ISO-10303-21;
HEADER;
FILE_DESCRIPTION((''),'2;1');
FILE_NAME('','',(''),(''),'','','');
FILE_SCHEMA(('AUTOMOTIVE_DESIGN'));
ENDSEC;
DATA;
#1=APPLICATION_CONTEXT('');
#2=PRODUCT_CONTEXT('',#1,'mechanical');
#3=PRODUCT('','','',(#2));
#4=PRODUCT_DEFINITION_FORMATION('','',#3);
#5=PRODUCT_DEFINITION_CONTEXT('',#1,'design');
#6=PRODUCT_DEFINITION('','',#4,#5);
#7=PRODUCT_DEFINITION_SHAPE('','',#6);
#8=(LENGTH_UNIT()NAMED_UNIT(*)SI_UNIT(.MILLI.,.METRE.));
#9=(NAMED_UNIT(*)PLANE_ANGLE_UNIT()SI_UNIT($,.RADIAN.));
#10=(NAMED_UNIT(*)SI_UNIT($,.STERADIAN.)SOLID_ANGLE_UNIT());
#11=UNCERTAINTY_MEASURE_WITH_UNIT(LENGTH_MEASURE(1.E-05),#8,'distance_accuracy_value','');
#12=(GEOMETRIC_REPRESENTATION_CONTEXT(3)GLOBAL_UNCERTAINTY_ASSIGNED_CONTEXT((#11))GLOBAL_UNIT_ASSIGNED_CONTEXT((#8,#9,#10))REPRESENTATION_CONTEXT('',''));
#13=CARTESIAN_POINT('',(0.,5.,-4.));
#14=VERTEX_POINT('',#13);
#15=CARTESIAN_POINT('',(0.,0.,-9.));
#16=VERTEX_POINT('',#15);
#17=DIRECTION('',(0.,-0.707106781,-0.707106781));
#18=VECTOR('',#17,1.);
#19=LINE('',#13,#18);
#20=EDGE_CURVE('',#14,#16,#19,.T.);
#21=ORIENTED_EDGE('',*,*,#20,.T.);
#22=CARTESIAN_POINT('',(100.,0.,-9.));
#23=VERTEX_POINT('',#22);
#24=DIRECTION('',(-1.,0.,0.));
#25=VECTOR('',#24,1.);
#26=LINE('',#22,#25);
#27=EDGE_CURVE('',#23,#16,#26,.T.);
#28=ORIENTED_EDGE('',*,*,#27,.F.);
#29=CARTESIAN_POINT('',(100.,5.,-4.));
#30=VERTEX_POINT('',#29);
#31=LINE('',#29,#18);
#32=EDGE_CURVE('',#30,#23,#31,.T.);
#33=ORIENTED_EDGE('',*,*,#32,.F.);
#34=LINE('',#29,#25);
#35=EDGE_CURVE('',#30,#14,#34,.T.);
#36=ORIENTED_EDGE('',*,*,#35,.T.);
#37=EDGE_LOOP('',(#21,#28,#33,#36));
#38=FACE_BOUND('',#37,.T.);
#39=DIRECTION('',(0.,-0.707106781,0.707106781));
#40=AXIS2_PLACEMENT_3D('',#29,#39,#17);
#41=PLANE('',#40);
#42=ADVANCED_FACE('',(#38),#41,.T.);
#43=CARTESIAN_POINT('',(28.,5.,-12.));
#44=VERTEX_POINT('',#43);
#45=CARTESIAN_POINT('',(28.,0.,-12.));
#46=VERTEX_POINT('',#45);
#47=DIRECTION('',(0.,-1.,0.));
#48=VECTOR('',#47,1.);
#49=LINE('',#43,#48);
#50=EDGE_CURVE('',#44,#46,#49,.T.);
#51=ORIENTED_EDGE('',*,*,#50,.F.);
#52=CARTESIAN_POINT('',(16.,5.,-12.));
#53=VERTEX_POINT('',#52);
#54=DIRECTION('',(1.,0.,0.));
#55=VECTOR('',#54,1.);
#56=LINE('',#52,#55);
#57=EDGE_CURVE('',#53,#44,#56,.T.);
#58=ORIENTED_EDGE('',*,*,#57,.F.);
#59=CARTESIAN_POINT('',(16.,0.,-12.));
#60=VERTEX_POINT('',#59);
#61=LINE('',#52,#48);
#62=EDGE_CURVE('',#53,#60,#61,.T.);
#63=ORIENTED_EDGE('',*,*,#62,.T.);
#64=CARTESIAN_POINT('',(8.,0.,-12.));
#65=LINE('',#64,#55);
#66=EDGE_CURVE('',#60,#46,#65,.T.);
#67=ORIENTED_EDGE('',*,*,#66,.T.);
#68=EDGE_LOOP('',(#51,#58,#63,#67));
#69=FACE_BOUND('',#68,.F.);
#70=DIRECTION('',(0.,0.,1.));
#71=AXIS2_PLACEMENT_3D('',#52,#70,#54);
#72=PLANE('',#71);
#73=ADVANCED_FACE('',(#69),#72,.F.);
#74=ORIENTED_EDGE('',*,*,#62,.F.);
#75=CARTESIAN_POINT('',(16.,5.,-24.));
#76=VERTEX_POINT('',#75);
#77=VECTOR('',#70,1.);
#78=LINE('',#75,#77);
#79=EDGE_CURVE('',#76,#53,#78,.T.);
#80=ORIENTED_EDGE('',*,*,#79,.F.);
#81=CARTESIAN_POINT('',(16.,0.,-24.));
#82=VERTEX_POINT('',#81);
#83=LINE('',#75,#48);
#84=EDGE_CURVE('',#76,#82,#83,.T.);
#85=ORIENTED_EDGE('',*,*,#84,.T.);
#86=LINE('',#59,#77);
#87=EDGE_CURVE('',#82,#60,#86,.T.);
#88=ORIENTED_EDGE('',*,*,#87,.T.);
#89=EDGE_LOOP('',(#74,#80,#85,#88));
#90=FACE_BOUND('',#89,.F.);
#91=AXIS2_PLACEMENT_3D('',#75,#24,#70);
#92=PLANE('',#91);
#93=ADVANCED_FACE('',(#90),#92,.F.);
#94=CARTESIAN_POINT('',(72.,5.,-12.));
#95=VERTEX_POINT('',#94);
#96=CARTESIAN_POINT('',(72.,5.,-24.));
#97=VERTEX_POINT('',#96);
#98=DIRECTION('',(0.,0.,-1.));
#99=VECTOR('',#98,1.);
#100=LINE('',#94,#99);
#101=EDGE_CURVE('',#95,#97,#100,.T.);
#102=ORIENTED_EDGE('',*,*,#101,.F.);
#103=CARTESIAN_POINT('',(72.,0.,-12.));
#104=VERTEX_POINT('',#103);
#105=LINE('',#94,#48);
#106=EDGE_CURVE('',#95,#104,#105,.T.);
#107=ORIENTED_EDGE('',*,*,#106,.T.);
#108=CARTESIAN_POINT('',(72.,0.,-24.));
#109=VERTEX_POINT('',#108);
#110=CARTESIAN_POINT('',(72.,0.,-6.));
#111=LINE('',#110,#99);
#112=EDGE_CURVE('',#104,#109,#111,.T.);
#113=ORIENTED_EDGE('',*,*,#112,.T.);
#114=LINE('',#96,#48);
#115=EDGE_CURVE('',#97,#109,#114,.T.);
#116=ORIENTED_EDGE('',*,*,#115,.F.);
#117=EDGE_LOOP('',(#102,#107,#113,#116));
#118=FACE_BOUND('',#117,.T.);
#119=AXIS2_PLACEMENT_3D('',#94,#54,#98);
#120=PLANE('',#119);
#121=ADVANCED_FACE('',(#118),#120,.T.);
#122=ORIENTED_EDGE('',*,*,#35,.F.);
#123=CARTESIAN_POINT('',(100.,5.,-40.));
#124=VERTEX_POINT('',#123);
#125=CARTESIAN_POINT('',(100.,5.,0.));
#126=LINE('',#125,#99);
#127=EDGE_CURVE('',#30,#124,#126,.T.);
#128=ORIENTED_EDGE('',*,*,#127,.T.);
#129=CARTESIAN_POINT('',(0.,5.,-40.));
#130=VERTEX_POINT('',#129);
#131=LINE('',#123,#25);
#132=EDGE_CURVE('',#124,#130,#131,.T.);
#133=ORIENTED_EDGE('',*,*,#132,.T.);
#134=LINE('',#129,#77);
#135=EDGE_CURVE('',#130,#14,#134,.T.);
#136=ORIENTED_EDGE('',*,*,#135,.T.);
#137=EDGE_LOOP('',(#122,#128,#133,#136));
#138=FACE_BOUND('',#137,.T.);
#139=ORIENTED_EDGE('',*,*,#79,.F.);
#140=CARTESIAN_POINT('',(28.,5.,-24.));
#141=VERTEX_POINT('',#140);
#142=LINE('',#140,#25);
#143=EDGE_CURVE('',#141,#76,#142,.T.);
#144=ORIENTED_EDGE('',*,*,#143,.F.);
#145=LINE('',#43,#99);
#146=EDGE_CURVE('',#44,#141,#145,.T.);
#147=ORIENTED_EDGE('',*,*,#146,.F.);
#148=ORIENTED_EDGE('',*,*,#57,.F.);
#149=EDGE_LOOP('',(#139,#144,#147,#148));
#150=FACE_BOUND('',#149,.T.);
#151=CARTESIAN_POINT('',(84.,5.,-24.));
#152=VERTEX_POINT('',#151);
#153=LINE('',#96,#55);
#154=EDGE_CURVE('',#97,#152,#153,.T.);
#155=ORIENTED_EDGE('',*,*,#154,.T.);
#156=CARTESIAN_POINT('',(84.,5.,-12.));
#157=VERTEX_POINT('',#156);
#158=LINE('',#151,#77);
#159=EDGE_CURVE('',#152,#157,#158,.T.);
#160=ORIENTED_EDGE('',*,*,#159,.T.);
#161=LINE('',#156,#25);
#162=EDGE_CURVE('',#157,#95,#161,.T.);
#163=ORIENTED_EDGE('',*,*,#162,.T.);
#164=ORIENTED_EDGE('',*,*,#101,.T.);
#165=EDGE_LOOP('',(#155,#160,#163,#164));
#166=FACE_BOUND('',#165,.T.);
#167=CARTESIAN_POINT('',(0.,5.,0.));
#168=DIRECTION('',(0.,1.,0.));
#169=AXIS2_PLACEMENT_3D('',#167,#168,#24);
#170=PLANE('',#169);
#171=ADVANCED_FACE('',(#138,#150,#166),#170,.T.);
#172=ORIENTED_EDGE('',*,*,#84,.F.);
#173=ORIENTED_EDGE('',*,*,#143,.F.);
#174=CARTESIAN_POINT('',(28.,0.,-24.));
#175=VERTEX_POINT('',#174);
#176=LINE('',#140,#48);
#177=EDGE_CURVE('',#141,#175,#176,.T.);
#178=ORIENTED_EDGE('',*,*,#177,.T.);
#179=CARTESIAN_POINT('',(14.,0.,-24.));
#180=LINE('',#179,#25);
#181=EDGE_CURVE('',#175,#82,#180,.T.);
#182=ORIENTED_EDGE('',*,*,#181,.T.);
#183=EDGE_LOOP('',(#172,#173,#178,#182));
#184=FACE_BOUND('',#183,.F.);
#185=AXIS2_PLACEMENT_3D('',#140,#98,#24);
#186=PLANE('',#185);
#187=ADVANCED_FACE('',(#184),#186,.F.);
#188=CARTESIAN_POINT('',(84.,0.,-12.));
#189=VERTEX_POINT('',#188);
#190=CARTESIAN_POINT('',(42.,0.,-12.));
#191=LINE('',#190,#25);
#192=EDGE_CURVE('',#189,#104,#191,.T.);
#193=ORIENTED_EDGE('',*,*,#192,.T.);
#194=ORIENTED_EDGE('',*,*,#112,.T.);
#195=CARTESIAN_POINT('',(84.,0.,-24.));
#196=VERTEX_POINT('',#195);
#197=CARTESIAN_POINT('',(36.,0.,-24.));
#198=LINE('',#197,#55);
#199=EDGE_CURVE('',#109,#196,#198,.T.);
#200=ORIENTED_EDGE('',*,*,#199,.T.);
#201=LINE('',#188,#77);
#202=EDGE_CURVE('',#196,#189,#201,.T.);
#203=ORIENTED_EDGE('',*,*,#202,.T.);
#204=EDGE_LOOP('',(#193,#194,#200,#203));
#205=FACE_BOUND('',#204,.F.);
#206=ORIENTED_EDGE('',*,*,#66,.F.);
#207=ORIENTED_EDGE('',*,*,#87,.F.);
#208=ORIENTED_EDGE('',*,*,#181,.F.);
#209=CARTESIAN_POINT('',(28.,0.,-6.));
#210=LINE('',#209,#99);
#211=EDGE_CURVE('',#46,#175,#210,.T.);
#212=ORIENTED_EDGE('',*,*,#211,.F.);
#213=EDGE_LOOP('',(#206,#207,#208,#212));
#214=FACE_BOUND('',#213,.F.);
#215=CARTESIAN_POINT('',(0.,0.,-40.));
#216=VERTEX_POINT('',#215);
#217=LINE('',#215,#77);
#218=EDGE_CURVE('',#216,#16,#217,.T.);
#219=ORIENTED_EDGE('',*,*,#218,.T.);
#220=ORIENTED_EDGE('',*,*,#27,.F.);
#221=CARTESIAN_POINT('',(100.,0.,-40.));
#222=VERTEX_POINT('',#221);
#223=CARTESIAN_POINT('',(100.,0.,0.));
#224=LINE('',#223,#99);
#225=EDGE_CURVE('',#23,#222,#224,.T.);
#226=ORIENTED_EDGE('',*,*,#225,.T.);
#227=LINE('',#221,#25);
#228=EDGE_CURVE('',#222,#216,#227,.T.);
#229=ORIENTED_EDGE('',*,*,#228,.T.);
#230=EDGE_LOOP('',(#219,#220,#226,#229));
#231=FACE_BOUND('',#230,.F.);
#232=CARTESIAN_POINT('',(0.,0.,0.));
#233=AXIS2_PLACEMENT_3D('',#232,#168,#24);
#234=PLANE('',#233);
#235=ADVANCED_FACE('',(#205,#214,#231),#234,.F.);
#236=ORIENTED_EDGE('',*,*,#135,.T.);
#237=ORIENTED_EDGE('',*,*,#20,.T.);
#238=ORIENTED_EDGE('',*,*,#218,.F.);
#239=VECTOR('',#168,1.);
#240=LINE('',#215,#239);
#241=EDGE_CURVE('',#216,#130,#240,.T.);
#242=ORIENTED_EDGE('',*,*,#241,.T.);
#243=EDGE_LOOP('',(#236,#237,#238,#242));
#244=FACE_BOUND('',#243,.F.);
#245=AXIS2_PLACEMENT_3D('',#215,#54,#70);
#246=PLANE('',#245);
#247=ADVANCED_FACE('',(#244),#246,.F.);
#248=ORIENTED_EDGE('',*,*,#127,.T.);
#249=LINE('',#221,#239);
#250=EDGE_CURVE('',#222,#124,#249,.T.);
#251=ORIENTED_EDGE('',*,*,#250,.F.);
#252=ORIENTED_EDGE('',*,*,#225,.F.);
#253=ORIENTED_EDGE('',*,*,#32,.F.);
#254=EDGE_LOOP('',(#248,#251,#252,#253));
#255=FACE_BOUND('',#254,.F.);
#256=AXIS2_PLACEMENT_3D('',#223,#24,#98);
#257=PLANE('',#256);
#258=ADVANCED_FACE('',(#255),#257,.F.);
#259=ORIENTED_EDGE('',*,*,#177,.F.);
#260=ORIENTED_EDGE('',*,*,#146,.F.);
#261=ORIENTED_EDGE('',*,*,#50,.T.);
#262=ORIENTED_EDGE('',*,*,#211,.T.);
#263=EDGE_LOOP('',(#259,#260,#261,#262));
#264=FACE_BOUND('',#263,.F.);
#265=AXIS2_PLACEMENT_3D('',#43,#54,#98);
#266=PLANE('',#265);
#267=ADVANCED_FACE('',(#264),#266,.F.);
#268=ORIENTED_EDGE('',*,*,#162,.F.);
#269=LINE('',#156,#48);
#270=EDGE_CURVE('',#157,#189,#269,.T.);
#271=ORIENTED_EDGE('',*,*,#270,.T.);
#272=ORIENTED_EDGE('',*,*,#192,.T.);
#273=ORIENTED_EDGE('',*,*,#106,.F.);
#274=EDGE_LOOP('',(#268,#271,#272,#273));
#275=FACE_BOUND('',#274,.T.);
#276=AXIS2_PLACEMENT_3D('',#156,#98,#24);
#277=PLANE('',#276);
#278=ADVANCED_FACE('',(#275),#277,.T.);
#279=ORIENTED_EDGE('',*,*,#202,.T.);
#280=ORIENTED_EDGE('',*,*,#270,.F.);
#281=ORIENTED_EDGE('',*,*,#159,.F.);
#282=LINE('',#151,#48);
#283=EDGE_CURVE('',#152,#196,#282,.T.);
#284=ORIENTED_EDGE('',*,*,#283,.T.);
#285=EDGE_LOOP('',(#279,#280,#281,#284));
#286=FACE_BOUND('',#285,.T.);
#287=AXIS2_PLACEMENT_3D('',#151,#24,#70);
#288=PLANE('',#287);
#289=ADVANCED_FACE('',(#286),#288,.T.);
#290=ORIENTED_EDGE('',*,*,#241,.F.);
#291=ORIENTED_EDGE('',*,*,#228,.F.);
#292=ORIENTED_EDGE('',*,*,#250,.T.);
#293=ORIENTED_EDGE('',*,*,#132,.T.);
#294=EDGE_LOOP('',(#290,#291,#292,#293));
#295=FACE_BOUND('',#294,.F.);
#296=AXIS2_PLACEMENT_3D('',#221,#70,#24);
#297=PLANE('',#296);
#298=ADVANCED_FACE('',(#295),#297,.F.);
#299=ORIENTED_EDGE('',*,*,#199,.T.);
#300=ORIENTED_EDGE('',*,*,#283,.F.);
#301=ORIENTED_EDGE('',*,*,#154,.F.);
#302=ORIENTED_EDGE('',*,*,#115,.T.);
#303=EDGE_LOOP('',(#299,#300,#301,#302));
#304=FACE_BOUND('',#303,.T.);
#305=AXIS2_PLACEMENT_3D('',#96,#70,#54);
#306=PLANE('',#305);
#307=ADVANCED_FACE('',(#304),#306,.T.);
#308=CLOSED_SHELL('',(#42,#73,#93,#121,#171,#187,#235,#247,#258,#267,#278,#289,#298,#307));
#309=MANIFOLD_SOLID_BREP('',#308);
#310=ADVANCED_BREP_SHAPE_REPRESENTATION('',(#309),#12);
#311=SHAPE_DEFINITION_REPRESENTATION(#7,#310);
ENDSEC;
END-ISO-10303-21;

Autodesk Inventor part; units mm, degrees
ref_plane "YZ Plane" through (0, 0, 0) normal (1, 0, 0) x (0, 1, 0)
ref_plane "XZ Plane" through (0, 0, 0) normal (0, 1, 0) x (-1, 0, 0)
ref_plane "XY Plane" through (0, 0, 0) normal (0, 0, 1) x (1, 0, 0)
sketch "Szkic1" plane through (0, 0, 0) normal (0, 1, 0) x (-1, 0, 0)
  line L0 (0, 0) -> (-100, 0)
  line L1 (-100, 0) -> (-100, -40)
  line L2 (-100, -40) -> (0, -40)
  line L3 (0, -40) -> (0, 0)
  dimension "d0" = 100
  dimension "d1" = 40
extrude "Wyciągnięcie proste1" add sketch "Szkic1" along normal blind 5
sketch "Szkic4" plane through (100, 0, 0) normal (1, 0, 0) x (0, 0, -1)
  line L0 (0, 5) -> (40, 5) projected
  line L1 (0, 5) -> (4.346, 0)
  line L2 (0, 0) -> (40, 0) projected
  line L3 (0, 0) -> (0, 5) projected
  line L4 (0, 0) -> (0, 5)
  line L5 (0, 5) -> (4.346, 0)
extrude "Wyciągnięcie proste2" cut sketch "Szkic4" against normal blind 100
sketch "Szkic5" plane through (100, 0, -40) normal (1, 0, 0) x (0, 0, -1)
  line L0 (-40, 5) -> (0, 5) projected
  line L1 (-40, 5) -> (-35, 0)
  line L2 (-35.654, 0) -> (0, 0) projected
  line L3 (-40, 5) -> (-32.9289, 5) construction
  line L4 (-35, 0) -> (-40, 0)
  line L5 (-35.654, 0) -> (-40, 5) projected
  line L6 (-40, 0) -> (-40, 5)
  dimension "d6" = 45
extrude "Wyciągnięcie proste3" cut sketch "Szkic5" against normal blind 100.25
sketch "Szkic6" plane through (100, 0, -40) normal (1, 0, 0) x (0, 0, -1)
  line L0 (0, 5) -> (-40, 5) projected
  line L1 (-40, 5) -> (-38, 5)
  line L2 (-38, 5) -> (-33, 0)
  line L3 (0, 0) -> (-35, 0) projected
  line L4 (-33, 0) -> (-35, 0)
  line L5 (-35, 0) -> (-40, 5)
  point P0 (-40, 0)
  dimension "d9" = 2
  dimension "d10" = 135
extrude "Wyciągnięcie proste4" cut sketch "Szkic6" against normal blind 100.25
sketch "Szkic7" plane through (100, 0, -40) normal (1, 0, 0) x (0, 0, -1)
  line L0 (-33, 0) -> (-38, 5) projected
  line L1 (-38, 5) -> (-36, 5)
  line L2 (0, 5) -> (-38, 5) projected
  line L3 (-36, 5) -> (-31, 0)
  line L4 (0, 0) -> (-33, 0) projected
  line L5 (-31, 0) -> (-33, 0)
  line L6 (-33, 0) -> (-38, 5)
  point P0 (-40, 0)
  dimension "d13" = 2
  dimension "d14" = 135
extrude "Wyciągnięcie proste5" cut sketch "Szkic7" against normal blind 100
sketch "Szkic13" plane through (0, 5, 0) normal (0, 1, 0) x (1, 0, 0)
  line L0 (16, 12) -> (28, 12)
  line L1 (28, 12) -> (28, 24)
  line L2 (28, 24) -> (16, 24)
  line L3 (16, 24) -> (16, 12)
  point P0 (0, 0)
  dimension "d17" = 12
  dimension "d18" = 12
extrude "Wyciągnięcie proste6" cut sketch "Szkic13" against normal blind 10
sketch "Szkic14" plane through (0, 5, 0) normal (0, 1, 0) x (1, 0, 0)
  line L0 (84, 12) -> (72, 12)
  line L1 (72, 12) -> (72, 24)
  line L2 (72, 24) -> (84, 24)
  line L3 (84, 24) -> (84, 12)
  point P0 (0, 0)
  dimension "d21" = 12
  dimension "d22" = 12
extrude "Wyciągnięcie proste7" cut sketch "Szkic14" against normal blind 10
properties part number "Helenowiak_plug"
